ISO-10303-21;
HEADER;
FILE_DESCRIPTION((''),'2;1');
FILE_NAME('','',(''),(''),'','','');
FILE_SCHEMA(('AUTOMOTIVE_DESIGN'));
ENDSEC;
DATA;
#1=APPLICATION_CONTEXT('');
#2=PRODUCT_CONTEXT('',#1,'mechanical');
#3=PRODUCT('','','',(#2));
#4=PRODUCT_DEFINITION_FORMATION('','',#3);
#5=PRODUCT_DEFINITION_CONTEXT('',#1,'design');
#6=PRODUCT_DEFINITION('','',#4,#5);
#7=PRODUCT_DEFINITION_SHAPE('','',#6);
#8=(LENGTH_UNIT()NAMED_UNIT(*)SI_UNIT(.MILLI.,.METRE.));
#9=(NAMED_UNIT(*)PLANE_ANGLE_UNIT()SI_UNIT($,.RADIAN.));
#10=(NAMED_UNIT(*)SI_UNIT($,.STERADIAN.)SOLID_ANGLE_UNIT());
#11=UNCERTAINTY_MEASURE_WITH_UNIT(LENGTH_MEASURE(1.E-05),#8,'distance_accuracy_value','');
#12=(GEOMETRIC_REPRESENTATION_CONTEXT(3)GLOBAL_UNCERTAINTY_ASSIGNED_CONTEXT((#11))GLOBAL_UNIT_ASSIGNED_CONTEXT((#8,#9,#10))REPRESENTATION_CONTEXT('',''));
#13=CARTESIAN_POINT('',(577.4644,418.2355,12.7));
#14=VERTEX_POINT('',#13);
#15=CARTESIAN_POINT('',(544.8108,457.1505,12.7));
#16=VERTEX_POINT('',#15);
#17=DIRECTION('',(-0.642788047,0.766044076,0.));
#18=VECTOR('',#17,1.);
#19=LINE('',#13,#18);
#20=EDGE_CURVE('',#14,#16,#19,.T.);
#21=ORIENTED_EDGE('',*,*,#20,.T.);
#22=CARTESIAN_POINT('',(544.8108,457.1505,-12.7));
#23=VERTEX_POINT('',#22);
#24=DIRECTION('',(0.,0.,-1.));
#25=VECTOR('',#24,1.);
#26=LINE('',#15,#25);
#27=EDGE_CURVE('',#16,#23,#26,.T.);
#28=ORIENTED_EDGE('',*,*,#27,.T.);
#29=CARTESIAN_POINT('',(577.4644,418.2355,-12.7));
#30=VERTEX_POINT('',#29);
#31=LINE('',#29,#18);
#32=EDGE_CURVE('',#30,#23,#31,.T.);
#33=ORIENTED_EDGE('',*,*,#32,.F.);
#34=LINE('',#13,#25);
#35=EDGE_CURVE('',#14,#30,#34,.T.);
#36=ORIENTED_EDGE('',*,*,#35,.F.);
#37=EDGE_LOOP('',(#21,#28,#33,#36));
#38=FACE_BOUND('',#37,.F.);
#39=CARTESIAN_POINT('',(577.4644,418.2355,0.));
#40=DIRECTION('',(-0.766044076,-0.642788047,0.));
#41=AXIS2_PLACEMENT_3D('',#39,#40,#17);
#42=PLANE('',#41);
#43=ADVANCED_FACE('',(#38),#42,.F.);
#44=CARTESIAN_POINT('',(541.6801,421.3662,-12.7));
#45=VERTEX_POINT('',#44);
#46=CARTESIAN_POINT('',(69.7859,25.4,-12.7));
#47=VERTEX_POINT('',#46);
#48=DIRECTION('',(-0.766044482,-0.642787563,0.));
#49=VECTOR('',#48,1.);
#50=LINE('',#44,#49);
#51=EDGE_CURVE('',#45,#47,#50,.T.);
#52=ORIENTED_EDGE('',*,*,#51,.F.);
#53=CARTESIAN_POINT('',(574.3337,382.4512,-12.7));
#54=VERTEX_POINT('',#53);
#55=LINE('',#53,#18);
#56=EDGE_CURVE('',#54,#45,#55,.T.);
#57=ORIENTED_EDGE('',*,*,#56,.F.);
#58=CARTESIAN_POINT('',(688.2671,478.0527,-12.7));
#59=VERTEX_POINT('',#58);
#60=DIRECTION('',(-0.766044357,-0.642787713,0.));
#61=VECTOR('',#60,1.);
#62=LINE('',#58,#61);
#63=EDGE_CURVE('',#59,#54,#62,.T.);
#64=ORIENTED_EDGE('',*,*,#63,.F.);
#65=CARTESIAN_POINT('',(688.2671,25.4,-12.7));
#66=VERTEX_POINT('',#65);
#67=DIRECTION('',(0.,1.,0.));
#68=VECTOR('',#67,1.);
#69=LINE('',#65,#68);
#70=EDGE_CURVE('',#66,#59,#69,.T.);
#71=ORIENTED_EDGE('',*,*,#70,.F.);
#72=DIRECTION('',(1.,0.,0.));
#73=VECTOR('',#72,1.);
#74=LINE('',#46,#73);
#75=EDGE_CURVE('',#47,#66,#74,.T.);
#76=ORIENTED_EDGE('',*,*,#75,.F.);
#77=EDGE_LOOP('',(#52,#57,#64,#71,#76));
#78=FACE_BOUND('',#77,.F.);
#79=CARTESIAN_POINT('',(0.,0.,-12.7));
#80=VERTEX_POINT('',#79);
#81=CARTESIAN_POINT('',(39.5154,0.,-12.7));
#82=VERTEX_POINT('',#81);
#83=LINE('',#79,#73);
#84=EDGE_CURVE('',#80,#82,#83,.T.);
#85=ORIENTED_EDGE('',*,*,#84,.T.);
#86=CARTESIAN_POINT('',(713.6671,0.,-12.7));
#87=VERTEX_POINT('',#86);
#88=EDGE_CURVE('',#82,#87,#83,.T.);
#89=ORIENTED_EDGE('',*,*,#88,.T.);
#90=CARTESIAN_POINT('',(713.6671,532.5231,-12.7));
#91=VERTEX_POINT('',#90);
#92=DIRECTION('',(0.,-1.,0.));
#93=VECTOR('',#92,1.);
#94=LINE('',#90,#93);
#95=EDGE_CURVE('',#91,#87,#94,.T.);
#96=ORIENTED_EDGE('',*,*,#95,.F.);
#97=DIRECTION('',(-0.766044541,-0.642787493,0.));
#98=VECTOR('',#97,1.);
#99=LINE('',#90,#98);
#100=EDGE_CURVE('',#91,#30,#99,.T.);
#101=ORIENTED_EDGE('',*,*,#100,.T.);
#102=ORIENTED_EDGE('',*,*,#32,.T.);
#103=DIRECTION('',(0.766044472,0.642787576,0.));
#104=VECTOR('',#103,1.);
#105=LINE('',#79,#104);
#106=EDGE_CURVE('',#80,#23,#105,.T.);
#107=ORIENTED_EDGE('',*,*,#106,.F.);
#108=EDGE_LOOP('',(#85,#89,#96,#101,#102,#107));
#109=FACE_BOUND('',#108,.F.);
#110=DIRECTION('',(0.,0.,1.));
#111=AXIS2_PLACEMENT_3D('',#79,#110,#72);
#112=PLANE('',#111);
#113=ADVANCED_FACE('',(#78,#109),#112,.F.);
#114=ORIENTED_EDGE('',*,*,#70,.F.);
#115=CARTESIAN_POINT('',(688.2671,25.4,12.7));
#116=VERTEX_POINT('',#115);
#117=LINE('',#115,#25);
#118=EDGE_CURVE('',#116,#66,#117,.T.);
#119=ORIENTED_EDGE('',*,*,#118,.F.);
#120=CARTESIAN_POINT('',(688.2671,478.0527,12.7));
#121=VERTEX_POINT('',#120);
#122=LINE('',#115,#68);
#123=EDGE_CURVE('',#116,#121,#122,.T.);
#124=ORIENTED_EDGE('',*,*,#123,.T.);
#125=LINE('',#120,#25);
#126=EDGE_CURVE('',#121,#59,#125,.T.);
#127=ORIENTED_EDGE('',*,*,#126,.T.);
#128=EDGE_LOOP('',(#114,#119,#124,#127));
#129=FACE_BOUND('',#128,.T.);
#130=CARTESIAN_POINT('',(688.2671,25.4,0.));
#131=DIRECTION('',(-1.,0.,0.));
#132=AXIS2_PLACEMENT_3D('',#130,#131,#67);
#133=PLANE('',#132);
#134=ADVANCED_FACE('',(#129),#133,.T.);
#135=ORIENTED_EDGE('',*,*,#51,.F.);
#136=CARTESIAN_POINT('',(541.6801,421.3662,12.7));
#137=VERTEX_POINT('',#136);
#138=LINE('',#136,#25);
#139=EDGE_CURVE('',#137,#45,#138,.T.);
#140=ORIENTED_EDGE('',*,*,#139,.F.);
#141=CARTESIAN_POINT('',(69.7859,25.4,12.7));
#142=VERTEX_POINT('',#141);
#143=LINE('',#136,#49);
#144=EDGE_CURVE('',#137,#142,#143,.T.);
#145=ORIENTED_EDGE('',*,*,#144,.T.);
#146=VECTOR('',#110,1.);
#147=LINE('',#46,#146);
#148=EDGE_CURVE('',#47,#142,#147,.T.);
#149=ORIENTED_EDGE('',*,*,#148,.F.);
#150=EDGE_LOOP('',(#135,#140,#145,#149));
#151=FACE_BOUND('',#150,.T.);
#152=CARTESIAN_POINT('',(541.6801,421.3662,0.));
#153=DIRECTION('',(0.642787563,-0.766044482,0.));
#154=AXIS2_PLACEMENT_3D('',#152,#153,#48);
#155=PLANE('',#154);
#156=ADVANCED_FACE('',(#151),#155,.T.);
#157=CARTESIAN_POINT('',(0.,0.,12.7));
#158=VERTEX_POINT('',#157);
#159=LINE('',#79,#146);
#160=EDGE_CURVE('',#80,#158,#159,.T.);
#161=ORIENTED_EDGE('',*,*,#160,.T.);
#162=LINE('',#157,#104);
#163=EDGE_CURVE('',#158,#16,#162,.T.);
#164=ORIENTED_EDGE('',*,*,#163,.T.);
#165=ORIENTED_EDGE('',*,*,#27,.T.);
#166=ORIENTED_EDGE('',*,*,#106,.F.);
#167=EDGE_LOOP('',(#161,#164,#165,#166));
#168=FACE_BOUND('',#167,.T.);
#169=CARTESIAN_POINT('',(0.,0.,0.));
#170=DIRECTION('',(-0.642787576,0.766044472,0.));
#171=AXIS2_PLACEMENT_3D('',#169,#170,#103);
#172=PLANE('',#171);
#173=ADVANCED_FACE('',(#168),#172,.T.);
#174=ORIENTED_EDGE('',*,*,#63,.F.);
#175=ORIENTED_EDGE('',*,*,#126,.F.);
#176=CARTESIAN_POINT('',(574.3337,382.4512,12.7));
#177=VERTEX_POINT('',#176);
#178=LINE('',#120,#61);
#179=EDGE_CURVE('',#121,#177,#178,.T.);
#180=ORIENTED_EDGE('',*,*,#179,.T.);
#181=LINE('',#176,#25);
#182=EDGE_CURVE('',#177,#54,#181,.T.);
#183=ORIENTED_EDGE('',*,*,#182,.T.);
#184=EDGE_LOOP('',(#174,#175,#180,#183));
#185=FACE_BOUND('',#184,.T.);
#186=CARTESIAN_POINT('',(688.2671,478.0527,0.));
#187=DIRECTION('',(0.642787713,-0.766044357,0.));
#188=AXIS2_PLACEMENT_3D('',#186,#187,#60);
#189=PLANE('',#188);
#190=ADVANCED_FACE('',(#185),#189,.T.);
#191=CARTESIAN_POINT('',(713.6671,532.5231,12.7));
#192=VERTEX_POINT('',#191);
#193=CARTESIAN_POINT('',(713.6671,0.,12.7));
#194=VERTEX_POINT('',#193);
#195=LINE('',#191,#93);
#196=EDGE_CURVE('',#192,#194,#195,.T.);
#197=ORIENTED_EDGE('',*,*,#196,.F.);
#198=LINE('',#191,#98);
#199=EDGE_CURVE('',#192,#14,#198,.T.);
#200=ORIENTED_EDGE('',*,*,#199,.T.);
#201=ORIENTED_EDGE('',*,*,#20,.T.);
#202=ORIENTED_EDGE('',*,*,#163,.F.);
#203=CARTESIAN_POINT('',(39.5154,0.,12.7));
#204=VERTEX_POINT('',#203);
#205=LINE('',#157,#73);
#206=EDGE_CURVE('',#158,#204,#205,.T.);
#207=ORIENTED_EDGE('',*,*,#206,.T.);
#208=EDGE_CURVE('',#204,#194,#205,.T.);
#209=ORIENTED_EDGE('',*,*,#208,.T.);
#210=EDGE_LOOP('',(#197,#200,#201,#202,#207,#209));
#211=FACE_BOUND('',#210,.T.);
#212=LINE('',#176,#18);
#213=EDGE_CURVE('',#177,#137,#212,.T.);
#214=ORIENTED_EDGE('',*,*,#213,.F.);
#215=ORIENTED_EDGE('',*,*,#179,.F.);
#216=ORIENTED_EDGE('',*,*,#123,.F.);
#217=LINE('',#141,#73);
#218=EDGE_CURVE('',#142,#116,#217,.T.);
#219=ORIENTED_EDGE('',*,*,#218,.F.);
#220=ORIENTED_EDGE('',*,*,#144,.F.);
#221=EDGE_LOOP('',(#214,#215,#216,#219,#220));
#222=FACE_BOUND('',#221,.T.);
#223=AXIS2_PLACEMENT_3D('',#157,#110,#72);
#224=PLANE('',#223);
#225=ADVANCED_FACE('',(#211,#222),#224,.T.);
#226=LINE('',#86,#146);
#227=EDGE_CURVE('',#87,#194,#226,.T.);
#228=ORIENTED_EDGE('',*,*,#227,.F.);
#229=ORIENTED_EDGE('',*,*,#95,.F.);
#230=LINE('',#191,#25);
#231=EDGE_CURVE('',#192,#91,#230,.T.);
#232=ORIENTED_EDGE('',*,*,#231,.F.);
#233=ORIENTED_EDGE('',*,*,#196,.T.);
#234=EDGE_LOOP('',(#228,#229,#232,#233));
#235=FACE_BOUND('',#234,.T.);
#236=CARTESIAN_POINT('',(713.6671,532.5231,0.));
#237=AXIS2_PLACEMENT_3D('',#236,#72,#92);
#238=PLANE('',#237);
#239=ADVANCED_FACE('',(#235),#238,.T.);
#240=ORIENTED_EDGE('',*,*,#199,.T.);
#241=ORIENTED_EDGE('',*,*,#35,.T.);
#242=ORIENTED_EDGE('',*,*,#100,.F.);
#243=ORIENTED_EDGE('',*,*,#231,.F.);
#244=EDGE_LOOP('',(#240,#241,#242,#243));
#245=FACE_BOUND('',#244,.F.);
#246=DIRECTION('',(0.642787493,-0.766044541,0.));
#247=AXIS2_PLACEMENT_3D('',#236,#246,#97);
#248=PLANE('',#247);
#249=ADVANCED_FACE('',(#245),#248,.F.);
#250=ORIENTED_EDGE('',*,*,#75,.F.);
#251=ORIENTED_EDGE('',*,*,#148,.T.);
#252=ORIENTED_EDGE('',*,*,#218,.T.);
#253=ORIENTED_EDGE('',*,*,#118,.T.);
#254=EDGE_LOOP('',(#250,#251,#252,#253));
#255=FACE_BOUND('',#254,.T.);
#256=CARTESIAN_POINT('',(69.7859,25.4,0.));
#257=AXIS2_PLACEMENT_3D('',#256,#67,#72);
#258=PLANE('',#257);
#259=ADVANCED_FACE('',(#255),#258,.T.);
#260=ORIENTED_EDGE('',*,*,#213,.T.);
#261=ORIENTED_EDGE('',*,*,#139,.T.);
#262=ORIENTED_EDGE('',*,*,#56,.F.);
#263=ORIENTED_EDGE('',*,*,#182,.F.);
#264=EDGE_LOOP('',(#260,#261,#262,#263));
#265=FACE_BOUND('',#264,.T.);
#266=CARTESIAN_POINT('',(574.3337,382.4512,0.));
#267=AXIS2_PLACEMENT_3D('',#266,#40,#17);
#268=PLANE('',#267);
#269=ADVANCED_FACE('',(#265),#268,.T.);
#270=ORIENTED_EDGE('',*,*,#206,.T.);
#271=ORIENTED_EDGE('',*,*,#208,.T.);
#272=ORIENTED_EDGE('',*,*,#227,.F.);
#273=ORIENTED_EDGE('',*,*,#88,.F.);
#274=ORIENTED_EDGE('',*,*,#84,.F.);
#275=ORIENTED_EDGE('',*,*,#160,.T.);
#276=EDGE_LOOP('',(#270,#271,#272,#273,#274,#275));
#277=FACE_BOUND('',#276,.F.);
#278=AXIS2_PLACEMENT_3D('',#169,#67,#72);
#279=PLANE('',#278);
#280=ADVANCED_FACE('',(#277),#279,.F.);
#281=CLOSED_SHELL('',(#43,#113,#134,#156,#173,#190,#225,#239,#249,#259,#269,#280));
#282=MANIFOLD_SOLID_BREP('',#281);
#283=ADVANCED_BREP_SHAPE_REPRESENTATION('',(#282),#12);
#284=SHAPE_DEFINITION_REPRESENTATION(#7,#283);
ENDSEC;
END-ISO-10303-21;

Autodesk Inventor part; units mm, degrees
sketch "Sketch1" plane through (0, 0, 0) normal (0, 0, 1) x (1, 0, 0)
  line L0 (0, 0) -> (544.8108, 457.1505)
  line L1 (0, 0) -> (749.0326, 0)
  line L2 (713.6671, 532.5231) -> (713.6671, 0)
  line L3 (713.6671, 532.5231) -> (577.4644, 418.2355)
  line L4 (577.4644, 418.2355) -> (544.8108, 457.1505)
  line L5 (69.7859, 25.4) -> (688.2671, 25.4)
  line L6 (688.2671, 25.4) -> (688.2671, 478.0527)
  line L7 (688.2671, 478.0527) -> (574.3337, 382.4512)
  line L8 (574.3337, 382.4512) -> (541.6801, 421.3662)
  line L9 (541.6801, 421.3662) -> (69.7859, 25.4)
  line L10 (688.2671, 511.21) -> (688.2671, 628.3123) construction
  line L11 (69.7859, 25.4) -> (39.5154, 0)
  line L12 (577.4644, 418.2355) -> (593.7912, 398.778) construction
  line L13 (688.2671, 25.4) -> (688.2671, 0) construction
  line L14 (688.2671, 25.4) -> (713.6671, 25.4) construction
  line L15 (541.6801, 421.3662) -> (525.3533, 440.8237) construction
  dimension "d10" = 40
  dimension "d14" = 177.8
  dimension "d15" = 711.2
  dimension "d16" = 50.8
  dimension "d17" = 25.4
  dimension "d18" = 25.4
  dimension "d19" = 25.4
  dimension "d20" = 25.4
  dimension "d21" = 25.4
  dimension "d33" = 50
  dimension "d36" = 76.2
  dimension "d40" = 618.4812
  dimension "d41" = 648.7517
  dimension "d42" = 688.2671
  dimension "d43" = 713.6671
  dimension "d44" = 452.6526
  dimension "d45" = 478.0527
  dimension "d46" = 507.1231
  dimension "d47" = 532.5231
  dimension "d48" = 685.8
extrude "Extrusion1" add sketch "Sketch1" along normal mid plane 25.4
ref_plane "planeForPowerCells" through (-48.9804, 58.3726, 12.7) normal (-0.6428, 0.766, 0) x (0.766, 0.6428, 0)
ref_plane "planeForShootingPowerCells" through (528.484, 476.6081, 12.7) normal (-0.6428, 0.766, 0) x (0.766, 0.6428, 0)
ref_plane "Work Plane3" through (612.9122, 514.2944, 12.7) normal (0.766, 0.6428, 0) x (0, 0, -1)
properties part number "ballRampWithPocketForPowerCell"
